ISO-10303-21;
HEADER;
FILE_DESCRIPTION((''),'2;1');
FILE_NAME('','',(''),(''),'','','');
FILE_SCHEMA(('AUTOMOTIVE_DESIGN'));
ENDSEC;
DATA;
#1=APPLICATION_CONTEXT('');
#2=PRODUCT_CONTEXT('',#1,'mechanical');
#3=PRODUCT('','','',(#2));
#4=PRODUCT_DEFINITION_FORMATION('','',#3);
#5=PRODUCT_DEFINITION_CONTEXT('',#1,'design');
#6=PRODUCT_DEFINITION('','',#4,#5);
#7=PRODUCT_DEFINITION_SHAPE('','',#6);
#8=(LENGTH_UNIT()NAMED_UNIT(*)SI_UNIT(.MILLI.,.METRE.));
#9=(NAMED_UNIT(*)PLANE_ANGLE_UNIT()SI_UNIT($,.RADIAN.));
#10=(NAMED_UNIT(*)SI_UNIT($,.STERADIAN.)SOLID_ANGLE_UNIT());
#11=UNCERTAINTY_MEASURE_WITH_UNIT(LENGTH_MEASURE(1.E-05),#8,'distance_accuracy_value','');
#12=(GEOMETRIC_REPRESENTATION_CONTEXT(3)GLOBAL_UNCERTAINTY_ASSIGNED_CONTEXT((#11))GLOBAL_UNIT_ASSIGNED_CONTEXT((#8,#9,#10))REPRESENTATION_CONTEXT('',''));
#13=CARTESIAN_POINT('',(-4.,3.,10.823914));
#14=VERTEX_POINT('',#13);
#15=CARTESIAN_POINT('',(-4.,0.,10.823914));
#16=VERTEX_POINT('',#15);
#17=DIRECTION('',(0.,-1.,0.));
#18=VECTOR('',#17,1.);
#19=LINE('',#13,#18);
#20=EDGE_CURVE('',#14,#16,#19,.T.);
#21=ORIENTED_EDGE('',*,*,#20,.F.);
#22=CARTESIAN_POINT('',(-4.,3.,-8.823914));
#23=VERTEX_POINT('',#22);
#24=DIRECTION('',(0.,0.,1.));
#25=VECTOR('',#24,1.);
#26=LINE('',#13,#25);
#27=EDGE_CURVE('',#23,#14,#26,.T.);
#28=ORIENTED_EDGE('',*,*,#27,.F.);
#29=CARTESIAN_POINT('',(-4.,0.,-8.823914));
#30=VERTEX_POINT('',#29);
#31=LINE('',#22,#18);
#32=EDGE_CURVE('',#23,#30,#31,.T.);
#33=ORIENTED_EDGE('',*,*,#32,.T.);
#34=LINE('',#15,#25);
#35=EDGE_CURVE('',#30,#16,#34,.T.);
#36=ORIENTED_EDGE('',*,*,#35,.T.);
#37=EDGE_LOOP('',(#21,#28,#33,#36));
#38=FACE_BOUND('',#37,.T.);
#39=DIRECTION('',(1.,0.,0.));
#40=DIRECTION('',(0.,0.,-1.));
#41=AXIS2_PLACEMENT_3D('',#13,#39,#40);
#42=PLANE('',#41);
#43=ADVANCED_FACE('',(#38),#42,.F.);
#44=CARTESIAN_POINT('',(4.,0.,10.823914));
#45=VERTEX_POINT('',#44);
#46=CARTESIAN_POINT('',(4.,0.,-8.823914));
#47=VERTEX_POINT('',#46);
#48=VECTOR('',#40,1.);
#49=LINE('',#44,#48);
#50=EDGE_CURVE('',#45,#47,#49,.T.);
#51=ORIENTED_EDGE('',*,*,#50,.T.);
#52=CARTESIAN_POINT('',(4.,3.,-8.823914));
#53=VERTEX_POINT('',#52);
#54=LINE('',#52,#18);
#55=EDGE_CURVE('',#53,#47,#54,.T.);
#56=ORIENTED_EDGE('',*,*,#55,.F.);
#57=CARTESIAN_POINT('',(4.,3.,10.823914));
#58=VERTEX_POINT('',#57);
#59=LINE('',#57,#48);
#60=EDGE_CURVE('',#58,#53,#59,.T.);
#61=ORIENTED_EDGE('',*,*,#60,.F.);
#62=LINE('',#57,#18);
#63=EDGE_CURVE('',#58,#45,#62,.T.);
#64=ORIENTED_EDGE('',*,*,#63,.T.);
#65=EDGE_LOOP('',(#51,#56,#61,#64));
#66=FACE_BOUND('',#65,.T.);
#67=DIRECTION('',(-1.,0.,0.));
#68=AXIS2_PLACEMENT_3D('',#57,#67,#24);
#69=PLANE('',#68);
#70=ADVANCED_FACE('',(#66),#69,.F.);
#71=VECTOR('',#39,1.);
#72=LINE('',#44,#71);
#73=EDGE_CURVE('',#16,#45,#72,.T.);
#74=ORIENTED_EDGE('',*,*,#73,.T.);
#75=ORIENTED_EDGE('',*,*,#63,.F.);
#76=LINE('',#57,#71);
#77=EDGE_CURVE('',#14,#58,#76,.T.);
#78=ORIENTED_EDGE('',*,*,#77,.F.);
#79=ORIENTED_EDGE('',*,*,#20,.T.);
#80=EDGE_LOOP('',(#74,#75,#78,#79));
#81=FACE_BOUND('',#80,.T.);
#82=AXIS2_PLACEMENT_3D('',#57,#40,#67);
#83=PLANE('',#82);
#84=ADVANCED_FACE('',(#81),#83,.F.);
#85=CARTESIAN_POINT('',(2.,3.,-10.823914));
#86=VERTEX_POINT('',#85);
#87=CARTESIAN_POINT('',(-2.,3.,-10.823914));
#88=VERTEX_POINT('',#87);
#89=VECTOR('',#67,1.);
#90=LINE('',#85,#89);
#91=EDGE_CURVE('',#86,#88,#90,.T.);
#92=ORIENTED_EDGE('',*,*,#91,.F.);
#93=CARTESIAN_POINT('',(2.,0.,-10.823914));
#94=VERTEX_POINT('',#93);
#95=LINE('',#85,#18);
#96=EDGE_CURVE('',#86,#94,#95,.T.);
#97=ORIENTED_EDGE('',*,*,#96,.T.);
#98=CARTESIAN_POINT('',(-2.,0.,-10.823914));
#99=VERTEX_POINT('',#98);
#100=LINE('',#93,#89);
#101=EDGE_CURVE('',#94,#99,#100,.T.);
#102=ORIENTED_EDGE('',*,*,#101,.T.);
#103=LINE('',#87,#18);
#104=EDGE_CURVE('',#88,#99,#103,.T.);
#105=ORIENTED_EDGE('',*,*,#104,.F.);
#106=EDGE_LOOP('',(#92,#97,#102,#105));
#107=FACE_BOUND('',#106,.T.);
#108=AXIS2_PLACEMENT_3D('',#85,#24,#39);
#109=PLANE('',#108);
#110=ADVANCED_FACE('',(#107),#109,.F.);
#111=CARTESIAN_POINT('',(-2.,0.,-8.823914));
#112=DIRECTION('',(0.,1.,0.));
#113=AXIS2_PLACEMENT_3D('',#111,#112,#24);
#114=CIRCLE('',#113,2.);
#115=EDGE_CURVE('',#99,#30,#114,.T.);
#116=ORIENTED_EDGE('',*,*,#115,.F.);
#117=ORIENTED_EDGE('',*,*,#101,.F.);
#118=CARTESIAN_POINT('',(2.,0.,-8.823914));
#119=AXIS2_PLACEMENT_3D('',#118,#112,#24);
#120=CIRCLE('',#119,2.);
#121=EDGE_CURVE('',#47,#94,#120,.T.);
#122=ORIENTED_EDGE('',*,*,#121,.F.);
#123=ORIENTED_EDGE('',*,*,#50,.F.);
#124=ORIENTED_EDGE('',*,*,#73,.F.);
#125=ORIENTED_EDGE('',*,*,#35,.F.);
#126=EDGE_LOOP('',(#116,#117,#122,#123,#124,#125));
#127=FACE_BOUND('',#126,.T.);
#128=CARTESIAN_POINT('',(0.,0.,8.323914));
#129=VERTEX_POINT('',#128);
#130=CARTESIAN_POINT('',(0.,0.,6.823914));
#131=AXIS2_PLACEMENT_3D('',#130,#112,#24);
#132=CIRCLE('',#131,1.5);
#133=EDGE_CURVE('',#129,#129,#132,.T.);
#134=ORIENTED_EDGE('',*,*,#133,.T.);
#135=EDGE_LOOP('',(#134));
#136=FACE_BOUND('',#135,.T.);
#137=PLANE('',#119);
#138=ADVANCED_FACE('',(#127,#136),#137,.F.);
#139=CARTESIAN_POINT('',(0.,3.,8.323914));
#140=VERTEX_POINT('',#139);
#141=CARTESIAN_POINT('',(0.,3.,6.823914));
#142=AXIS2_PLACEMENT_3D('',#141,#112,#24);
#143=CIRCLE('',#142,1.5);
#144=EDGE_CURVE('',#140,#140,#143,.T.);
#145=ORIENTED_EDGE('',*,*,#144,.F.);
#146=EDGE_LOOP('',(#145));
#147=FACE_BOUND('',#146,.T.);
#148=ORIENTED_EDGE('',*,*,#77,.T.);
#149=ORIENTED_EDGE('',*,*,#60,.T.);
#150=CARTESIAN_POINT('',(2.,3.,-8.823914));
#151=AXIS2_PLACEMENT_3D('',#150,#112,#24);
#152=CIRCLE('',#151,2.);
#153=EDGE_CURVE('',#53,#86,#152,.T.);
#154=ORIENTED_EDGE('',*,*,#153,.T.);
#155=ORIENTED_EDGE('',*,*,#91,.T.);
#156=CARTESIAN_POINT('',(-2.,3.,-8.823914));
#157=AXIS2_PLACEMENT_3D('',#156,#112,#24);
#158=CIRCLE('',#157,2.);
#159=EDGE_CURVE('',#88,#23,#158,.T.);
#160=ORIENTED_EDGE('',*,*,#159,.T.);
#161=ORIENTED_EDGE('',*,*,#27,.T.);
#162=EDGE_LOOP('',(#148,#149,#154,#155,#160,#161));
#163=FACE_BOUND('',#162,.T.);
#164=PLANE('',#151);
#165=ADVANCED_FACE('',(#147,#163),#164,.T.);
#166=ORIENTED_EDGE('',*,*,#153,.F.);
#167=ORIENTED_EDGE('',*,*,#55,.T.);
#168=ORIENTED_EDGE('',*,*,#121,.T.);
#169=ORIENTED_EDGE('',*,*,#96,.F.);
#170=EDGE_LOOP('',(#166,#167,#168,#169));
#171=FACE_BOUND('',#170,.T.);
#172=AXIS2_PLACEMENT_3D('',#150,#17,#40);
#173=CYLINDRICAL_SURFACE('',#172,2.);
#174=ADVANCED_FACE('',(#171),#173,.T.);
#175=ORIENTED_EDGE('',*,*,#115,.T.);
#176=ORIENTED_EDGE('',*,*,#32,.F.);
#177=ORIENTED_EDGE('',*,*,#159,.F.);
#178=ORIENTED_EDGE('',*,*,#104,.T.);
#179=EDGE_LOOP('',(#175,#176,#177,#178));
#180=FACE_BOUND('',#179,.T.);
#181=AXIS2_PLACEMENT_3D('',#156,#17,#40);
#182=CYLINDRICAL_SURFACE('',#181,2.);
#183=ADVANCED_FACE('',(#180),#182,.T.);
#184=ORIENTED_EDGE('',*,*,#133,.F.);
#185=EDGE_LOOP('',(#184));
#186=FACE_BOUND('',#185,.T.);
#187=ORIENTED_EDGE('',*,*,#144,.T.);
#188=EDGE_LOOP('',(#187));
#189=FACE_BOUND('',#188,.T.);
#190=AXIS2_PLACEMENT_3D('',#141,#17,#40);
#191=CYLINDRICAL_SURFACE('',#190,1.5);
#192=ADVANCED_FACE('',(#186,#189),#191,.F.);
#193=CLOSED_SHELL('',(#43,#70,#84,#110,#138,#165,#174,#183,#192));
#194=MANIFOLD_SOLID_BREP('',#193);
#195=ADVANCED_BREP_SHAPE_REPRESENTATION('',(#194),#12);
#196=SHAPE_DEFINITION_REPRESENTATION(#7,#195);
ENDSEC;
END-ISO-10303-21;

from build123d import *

# Parameters (mm, degrees)
SKETCH1_R           = 1.5
BOSS_EXTRUDE1_DEPTH = 3


with BuildPart() as part:
    # Sketch1 → Boss-Extrude1 (new body)
    with BuildSketch(Plane(origin=(0, 0, 0), x_dir=(1, 0, 0), z_dir=(0, 1, 0))):
        with BuildLine():
            Line((4, -10.823913854), (-4, -10.823913854))
            Line((-4, -10.823913854), (-4, 8.823913854))
            ThreePointArc((-4, 8.823913854), (-3.414213562, 10.238127416), (-2, 10.823913854))
            Line((-2, 10.823913854), (2, 10.823913854))
            ThreePointArc((2, 10.823913854), (3.414213562, 10.238127416), (4, 8.823913854))
            Line((4, 8.823913854), (4, -10.823913854))
        make_face()
        with Locations(Location((0, -6.823913854, 0), (0, 0, 270))):
            Circle(SKETCH1_R, mode=Mode.SUBTRACT)
    extrude(amount=BOSS_EXTRUDE1_DEPTH)


solid = part.part
